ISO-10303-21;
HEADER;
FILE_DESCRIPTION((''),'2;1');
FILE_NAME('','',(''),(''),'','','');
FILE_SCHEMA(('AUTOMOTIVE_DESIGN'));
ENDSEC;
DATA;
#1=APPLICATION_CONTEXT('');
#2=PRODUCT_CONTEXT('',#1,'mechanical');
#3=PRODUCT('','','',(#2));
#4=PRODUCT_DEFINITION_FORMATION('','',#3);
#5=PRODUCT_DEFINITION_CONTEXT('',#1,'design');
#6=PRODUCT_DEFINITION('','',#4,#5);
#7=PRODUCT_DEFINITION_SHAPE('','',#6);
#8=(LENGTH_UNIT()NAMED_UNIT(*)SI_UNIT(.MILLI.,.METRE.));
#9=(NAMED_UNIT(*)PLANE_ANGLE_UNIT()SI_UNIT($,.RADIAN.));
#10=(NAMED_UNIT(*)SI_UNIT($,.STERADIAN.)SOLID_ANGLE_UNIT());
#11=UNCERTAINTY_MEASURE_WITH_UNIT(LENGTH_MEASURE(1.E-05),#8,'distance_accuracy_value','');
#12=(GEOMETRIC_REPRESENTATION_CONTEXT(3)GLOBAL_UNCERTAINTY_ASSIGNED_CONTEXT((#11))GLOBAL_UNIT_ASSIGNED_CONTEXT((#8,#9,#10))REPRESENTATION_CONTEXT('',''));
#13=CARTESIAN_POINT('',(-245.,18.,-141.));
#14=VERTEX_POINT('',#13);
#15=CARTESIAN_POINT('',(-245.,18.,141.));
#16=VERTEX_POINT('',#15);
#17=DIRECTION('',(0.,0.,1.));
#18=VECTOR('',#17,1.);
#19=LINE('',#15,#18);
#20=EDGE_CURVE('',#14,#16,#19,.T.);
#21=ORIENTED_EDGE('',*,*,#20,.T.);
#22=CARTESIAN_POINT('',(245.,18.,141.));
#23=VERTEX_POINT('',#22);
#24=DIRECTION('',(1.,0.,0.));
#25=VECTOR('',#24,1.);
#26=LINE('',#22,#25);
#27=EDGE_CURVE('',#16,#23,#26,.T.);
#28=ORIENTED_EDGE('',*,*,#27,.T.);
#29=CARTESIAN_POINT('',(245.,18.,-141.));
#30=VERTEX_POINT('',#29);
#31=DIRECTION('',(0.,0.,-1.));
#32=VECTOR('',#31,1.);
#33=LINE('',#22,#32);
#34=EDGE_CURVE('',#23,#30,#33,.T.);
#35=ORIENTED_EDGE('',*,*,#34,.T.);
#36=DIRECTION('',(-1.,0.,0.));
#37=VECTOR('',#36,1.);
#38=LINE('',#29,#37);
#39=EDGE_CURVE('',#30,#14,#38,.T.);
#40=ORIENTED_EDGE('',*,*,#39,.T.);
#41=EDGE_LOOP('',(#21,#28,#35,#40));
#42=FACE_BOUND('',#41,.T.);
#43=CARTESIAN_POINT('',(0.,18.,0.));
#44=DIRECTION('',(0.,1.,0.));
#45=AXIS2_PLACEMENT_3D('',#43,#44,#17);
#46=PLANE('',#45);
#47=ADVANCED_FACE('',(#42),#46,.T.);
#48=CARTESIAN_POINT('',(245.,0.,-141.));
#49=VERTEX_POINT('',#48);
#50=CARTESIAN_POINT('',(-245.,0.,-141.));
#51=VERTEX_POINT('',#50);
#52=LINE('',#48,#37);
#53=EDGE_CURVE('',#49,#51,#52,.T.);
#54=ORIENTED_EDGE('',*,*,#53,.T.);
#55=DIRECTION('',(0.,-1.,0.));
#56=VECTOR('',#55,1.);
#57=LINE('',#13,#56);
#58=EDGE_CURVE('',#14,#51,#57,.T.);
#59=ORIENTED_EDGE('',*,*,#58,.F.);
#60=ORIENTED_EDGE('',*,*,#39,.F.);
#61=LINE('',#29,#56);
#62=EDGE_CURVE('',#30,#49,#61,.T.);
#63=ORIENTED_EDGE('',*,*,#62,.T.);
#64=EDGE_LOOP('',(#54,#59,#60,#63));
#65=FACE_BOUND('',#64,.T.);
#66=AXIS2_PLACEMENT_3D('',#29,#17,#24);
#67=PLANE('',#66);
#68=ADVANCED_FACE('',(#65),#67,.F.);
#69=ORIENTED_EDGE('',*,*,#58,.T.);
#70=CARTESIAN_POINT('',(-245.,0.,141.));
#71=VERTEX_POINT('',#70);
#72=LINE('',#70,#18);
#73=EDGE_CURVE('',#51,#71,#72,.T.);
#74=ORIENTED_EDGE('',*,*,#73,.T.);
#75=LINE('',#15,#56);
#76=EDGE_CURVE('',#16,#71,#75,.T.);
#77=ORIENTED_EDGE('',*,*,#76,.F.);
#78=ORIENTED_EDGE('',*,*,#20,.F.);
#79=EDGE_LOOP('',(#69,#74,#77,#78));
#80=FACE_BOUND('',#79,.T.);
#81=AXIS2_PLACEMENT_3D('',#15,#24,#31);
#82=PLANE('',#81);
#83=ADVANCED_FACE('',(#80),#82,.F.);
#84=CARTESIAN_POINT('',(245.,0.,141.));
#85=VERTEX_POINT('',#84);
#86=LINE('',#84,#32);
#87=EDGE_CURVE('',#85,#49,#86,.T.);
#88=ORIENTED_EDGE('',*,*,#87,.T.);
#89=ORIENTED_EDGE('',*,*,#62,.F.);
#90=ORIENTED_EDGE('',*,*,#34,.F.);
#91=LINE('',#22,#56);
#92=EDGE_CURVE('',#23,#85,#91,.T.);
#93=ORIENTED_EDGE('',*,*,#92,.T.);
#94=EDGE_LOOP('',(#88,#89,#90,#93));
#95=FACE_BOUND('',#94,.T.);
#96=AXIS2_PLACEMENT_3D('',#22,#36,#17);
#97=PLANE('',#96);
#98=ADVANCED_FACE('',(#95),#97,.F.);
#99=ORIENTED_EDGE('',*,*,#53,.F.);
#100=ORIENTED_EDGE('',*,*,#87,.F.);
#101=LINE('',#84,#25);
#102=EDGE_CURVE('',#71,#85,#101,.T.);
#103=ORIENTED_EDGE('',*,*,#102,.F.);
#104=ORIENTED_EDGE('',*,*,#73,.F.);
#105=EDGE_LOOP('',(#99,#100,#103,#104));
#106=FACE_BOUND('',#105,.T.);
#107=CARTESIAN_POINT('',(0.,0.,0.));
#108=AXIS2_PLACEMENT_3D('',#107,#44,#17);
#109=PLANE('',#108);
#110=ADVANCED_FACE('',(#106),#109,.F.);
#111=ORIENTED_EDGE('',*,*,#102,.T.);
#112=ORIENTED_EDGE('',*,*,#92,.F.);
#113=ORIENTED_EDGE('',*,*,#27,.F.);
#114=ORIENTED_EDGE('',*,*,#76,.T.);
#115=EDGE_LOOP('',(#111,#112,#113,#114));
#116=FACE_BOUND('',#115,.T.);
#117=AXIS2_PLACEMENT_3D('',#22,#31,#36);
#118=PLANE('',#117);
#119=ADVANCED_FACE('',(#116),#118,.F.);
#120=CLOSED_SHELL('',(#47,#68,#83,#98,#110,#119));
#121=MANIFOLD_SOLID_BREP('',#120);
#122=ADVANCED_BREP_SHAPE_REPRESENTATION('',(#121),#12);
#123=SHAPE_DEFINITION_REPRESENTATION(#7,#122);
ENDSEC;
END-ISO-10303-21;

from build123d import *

# Parameters (mm, degrees)
SKETCH_1_W      = 490
SKETCH_1_H      = 282
EXTRUDE_1_DEPTH = 18


with BuildPart() as part:
    # Эскиз1 → Бобышка-Вытянуть1 (new body)
    with BuildSketch(Plane(origin=(0, 0, 0), x_dir=(1, 0, 0), z_dir=(0, 1, 0))):
        Rectangle(SKETCH_1_W, SKETCH_1_H)
    extrude(amount=EXTRUDE_1_DEPTH)


solid = part.part
